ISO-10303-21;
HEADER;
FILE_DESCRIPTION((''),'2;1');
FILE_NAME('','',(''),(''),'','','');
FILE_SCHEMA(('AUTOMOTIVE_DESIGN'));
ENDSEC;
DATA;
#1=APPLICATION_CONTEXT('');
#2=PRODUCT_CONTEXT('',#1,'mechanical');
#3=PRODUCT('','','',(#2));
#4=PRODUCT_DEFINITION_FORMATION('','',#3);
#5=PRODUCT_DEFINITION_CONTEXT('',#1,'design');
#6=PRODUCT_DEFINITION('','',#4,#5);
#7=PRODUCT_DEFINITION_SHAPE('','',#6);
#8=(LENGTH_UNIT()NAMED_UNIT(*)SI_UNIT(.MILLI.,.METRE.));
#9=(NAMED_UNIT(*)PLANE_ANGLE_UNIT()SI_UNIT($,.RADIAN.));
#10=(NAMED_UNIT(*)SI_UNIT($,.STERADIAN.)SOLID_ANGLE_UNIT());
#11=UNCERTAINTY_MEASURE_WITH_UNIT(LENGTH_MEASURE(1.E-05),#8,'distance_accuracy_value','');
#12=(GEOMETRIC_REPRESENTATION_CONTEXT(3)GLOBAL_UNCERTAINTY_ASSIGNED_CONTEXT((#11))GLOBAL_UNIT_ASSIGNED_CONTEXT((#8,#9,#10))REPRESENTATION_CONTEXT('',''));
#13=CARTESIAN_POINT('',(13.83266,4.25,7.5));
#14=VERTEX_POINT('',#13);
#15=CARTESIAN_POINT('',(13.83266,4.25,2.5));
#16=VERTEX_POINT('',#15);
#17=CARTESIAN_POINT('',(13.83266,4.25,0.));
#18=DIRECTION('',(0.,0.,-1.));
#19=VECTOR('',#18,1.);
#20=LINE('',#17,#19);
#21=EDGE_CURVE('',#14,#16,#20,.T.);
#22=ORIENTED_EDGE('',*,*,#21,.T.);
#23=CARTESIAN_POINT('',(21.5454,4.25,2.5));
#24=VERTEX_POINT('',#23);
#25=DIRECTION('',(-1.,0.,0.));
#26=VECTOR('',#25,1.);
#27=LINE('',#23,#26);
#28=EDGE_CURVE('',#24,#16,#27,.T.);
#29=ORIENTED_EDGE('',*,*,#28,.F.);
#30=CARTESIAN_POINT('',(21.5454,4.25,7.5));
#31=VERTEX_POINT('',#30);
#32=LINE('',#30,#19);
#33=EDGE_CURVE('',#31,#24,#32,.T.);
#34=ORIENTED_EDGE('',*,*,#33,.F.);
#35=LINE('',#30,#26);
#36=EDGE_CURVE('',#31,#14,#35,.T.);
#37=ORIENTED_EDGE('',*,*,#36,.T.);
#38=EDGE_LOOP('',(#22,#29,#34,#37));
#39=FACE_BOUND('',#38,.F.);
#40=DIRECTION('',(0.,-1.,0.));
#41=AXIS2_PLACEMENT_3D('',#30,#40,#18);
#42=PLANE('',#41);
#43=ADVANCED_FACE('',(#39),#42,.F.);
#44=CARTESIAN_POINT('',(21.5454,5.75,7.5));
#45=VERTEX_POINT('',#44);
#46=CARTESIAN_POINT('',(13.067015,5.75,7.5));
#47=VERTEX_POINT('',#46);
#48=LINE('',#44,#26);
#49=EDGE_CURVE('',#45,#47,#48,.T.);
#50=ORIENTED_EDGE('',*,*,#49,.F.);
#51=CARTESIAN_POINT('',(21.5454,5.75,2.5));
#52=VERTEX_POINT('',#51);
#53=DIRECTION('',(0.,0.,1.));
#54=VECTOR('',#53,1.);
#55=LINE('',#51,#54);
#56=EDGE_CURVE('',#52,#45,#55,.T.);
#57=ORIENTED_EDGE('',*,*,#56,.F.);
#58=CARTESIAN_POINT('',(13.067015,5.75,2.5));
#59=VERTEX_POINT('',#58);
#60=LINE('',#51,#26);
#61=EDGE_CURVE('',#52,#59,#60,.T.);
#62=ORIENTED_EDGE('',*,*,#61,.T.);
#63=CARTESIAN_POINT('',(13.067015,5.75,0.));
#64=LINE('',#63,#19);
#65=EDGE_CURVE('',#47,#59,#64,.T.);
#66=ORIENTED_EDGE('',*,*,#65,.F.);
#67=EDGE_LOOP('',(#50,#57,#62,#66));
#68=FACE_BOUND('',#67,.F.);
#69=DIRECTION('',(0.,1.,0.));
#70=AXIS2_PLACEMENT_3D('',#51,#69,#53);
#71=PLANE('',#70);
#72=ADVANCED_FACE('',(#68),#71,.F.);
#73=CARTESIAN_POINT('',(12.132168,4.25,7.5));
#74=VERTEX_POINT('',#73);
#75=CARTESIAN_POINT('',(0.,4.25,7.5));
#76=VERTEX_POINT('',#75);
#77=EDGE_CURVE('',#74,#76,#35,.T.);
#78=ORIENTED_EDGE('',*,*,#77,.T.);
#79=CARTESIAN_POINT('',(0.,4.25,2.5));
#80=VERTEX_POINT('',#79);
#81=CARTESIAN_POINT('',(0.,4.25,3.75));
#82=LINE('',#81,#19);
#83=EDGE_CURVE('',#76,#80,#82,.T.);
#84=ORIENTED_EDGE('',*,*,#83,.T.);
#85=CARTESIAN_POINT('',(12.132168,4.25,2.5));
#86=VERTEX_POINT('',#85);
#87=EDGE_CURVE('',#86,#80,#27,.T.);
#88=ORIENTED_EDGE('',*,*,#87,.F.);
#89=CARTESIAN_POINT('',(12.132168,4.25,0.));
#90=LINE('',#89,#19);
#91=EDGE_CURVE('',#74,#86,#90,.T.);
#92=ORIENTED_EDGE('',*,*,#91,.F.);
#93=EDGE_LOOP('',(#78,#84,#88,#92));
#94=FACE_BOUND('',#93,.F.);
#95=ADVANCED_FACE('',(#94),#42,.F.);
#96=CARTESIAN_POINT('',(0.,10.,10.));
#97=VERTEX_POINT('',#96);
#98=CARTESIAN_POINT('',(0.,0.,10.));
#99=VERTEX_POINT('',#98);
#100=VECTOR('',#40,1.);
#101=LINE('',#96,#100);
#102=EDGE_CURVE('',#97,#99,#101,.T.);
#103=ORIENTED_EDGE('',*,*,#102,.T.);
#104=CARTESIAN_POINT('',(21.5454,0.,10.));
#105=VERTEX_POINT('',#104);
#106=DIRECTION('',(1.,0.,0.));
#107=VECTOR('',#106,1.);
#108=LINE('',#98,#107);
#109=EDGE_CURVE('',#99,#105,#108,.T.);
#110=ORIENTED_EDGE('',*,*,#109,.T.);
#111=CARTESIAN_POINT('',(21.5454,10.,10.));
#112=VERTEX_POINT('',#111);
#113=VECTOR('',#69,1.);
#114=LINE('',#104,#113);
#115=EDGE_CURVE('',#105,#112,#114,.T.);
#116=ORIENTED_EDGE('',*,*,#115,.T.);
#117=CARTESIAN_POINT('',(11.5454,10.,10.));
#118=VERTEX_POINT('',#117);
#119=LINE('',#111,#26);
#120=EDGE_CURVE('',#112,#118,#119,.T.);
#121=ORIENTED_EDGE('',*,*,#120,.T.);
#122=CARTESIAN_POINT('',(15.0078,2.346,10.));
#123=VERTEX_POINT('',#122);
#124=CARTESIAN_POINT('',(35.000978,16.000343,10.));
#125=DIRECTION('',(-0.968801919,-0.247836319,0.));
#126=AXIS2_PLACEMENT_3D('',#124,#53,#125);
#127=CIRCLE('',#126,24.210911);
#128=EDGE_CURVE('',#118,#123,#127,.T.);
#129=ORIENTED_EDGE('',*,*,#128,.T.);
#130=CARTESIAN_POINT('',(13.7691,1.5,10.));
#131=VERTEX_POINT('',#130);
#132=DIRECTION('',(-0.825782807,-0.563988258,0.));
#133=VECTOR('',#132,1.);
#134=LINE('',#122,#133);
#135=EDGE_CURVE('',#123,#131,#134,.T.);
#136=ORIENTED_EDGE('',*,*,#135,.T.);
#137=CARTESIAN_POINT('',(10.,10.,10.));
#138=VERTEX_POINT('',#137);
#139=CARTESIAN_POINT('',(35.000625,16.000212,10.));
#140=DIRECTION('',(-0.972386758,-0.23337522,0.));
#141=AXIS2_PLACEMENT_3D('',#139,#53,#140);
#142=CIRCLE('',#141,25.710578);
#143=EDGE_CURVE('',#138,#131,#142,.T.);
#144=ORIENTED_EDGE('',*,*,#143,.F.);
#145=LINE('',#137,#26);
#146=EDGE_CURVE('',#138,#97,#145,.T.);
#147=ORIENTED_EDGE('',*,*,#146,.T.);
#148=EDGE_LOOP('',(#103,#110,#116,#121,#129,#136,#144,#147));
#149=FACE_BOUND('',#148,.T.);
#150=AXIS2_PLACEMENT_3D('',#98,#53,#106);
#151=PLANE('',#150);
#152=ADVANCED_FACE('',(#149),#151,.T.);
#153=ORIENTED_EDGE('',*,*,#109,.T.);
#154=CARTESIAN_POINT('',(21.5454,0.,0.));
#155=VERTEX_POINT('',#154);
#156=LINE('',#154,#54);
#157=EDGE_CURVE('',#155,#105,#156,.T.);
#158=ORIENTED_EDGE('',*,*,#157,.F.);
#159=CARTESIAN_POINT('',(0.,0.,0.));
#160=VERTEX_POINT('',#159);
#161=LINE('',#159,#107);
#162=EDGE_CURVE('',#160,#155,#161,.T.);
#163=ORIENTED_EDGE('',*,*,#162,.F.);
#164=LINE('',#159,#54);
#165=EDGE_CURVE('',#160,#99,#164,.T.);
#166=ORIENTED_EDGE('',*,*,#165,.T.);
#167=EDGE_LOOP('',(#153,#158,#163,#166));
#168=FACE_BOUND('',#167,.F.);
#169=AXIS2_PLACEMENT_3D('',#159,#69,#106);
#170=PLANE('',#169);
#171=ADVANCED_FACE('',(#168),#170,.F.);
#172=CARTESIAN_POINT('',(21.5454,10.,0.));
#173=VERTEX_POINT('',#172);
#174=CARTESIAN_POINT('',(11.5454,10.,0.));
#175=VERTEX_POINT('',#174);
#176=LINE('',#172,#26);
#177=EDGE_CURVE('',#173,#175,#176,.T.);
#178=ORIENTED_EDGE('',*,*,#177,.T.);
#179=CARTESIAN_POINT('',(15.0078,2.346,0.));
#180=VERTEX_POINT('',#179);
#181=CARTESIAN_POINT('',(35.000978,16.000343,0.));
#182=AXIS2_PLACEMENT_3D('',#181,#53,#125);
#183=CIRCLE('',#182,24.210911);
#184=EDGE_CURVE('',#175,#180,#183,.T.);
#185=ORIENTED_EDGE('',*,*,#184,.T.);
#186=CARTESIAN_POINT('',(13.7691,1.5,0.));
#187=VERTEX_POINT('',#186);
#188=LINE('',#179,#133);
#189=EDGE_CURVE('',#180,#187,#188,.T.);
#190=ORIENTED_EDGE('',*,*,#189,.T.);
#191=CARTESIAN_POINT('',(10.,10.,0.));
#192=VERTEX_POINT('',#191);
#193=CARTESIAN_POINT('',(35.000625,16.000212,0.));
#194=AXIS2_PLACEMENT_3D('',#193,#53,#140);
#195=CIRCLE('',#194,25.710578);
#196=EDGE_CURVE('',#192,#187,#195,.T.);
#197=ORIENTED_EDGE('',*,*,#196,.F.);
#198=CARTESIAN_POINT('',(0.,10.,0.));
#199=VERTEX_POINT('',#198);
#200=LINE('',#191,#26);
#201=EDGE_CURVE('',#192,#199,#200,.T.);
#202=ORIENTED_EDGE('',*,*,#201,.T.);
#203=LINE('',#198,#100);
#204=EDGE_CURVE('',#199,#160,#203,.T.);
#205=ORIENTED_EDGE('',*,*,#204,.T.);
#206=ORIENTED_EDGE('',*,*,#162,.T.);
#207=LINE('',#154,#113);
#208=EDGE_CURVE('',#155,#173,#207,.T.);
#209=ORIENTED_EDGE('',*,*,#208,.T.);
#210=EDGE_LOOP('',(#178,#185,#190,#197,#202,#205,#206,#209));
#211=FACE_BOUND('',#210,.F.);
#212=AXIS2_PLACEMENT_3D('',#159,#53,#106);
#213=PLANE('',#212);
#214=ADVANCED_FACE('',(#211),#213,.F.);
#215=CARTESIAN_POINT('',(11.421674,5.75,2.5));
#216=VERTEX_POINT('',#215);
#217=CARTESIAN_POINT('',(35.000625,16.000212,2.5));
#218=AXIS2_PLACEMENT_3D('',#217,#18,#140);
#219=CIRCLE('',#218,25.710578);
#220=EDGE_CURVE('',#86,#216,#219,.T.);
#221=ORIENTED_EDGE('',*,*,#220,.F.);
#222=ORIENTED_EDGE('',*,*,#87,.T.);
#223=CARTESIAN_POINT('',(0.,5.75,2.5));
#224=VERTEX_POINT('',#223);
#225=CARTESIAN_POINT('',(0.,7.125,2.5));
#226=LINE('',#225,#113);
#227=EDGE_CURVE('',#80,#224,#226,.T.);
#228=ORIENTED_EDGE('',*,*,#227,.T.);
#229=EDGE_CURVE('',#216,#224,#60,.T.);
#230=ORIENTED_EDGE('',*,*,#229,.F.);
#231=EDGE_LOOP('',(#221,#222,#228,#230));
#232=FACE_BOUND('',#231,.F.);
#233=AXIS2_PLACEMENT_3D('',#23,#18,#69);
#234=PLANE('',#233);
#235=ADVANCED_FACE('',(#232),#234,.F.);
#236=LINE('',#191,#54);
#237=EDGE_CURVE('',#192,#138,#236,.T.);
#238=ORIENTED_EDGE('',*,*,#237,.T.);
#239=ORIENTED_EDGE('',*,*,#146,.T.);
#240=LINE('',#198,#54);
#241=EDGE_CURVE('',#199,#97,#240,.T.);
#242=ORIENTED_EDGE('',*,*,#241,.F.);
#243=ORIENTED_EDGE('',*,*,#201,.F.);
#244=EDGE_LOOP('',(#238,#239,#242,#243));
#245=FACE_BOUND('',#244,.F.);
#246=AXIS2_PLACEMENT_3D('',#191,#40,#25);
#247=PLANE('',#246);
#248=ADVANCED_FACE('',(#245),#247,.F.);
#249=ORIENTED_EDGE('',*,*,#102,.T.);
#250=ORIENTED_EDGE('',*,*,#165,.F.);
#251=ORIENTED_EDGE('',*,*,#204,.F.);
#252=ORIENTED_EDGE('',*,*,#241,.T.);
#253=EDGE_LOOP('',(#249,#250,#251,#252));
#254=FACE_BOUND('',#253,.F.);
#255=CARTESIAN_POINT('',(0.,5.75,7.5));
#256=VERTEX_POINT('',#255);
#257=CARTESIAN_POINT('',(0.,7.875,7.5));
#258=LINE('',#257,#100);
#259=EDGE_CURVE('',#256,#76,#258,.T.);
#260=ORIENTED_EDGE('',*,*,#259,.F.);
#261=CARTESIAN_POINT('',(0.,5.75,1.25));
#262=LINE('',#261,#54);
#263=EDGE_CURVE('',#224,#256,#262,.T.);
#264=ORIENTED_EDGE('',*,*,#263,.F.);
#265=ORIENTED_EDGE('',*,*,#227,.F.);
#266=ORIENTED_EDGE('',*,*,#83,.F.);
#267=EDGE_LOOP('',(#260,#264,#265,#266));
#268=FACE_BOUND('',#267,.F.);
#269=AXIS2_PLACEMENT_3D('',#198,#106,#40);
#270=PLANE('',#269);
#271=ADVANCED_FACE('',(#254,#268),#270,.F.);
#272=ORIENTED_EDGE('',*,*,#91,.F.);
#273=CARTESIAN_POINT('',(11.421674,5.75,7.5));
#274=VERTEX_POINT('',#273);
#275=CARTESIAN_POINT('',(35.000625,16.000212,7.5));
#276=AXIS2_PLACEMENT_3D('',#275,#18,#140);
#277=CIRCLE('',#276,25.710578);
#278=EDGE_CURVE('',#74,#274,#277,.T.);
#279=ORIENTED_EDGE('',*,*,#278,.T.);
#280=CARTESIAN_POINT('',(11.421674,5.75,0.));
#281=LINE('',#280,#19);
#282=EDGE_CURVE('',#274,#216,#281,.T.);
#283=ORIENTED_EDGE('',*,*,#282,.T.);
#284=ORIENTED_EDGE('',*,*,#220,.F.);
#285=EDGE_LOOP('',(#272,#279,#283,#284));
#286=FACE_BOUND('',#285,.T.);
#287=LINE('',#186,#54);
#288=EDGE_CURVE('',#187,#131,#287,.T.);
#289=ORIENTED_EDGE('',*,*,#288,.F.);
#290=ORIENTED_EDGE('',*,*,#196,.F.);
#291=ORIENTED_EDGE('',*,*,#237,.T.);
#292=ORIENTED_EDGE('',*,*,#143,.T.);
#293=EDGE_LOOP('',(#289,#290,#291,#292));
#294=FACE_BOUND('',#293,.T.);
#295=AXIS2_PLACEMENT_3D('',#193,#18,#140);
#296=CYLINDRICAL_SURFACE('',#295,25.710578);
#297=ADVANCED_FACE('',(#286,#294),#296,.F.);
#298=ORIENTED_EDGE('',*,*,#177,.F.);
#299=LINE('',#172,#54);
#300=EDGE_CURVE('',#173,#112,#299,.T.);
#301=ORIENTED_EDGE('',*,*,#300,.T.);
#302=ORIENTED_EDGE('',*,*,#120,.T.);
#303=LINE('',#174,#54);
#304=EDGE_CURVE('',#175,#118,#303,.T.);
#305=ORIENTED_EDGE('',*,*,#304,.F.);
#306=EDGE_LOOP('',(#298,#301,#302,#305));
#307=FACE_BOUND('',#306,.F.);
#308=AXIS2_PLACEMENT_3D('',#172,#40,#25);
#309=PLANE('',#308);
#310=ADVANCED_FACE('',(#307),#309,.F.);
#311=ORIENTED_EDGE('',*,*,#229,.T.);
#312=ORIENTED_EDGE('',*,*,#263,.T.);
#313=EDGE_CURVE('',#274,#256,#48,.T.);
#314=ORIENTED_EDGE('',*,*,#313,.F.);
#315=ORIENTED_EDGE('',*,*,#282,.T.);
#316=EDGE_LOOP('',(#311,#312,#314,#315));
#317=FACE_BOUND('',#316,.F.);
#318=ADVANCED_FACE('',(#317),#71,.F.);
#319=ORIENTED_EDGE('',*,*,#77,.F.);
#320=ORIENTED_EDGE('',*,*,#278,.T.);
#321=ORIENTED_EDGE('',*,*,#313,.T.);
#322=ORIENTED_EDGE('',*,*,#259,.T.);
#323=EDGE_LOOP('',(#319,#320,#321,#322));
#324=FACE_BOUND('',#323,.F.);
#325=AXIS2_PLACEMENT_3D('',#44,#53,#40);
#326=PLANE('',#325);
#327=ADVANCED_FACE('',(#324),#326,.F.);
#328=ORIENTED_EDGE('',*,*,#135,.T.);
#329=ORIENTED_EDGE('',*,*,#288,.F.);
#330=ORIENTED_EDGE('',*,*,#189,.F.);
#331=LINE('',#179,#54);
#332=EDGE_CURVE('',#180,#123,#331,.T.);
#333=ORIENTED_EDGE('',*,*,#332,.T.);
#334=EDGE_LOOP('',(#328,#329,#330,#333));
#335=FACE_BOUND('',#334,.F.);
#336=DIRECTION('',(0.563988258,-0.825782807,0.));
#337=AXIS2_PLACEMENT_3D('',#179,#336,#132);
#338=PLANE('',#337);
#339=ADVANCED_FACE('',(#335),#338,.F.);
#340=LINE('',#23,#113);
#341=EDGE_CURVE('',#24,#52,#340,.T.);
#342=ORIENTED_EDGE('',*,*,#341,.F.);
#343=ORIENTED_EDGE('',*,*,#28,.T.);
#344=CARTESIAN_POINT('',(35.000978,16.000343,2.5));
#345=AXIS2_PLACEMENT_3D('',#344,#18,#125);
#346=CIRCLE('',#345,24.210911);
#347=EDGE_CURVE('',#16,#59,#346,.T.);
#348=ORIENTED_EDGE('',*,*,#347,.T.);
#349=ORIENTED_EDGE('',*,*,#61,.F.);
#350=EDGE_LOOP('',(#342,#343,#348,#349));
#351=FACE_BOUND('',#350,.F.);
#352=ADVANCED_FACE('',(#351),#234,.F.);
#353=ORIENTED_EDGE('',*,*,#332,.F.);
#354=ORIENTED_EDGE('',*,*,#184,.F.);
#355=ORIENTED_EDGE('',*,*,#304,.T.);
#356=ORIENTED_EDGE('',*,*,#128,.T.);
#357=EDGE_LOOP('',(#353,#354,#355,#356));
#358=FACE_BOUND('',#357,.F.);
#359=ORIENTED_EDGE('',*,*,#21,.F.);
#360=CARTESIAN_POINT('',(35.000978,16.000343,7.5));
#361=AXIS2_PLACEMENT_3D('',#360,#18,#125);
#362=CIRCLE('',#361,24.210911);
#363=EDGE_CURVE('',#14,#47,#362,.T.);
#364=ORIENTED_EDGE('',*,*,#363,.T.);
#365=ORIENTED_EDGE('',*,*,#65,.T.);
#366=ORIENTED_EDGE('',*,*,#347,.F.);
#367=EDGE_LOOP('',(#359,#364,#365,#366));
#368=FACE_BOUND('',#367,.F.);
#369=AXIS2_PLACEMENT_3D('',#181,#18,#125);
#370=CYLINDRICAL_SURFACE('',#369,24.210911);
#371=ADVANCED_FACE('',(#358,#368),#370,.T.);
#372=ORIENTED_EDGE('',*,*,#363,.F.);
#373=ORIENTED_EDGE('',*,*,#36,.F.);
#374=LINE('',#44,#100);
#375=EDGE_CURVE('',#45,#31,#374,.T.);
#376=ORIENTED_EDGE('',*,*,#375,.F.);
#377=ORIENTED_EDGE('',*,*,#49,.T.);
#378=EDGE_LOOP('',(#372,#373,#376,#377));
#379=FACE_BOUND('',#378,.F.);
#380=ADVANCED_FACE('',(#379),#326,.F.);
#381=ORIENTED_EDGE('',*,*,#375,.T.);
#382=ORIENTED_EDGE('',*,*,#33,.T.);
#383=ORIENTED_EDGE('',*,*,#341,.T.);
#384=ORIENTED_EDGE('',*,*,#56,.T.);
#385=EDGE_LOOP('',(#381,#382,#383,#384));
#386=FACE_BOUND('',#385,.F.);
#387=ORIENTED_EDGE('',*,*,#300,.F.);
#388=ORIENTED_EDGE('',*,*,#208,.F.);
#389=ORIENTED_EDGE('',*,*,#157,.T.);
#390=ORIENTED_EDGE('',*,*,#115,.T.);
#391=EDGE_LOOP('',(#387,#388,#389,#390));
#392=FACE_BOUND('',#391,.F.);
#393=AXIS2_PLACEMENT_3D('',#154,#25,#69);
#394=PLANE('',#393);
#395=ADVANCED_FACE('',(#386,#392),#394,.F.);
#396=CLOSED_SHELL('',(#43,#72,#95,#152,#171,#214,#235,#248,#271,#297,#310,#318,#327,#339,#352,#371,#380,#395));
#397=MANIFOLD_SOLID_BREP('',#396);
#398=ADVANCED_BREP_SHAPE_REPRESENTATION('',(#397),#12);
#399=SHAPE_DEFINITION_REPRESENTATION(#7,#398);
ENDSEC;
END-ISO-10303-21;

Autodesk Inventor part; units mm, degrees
ref_plane "YZ Plane" through (0, 0, 0) normal (1, 0, 0) x (0, 1, 0)
ref_plane "XZ Plane" through (0, 0, 0) normal (0, 1, 0) x (-1, 0, 0)
ref_plane "XY Plane" through (0, 0, 0) normal (0, 0, 1) x (1, 0, 0)
sketch "Sketch1" plane through (0, 0, 0) normal (0, 0, 1) x (1, 0, 0)
  line L0 (0, 0) -> (21.5454, 0)
  line L1 (21.5454, 0) -> (21.5454, 10)
  line L2 (21.5454, 10) -> (11.5454, 10)
  line L3 (10, 10) -> (0, 10)
  line L4 (0, 10) -> (0, 0)
  arc A0 (10, 10) -> (13.7691, 1.5) centre (35, 16) ccw
  arc A1 (11.5454, 10) -> (15.0078, 2.346) centre (35, 16) ccw
  line L5 (15.0078, 2.346) -> (13.7691, 1.5)
  dimension "d0" = 10
  dimension "d2" = 10
  dimension "d4" = 10
  dimension "d11" = 1.5
  dimension "d12" = 1.5
  dimension "d13" = 35
  dimension "d14" = 16
extrude "Extrusion1" add sketch "Sketch1" along normal blind 10
sketch "Sketch2" plane through (21.5454, 0, 0) normal (1, 0, 0) x (0, 0, -1)
  line L0 (-10, 0) -> (0, 10) construction
  line L1 (-10, 10) -> (0, 0) construction
  line L2 (-7.5, 4.25) -> (-2.5, 4.25)
  line L3 (-2.5, 4.25) -> (-2.5, 5.75)
  line L4 (-2.5, 5.75) -> (-7.5, 5.75)
  line L5 (-7.5, 5.75) -> (-7.5, 4.25)
  line L6 (-7.5, 4.25) -> (-2.5, 5.75) construction
  line L7 (-2.5, 4.25) -> (-7.5, 5.75) construction
  point P0 (-5, 5)
  dimension "d7" = 5
  dimension "d8" = 1.5
extrude "Extrusion2" cut sketch "Sketch2" against normal through all
properties part number "TestValve0"
